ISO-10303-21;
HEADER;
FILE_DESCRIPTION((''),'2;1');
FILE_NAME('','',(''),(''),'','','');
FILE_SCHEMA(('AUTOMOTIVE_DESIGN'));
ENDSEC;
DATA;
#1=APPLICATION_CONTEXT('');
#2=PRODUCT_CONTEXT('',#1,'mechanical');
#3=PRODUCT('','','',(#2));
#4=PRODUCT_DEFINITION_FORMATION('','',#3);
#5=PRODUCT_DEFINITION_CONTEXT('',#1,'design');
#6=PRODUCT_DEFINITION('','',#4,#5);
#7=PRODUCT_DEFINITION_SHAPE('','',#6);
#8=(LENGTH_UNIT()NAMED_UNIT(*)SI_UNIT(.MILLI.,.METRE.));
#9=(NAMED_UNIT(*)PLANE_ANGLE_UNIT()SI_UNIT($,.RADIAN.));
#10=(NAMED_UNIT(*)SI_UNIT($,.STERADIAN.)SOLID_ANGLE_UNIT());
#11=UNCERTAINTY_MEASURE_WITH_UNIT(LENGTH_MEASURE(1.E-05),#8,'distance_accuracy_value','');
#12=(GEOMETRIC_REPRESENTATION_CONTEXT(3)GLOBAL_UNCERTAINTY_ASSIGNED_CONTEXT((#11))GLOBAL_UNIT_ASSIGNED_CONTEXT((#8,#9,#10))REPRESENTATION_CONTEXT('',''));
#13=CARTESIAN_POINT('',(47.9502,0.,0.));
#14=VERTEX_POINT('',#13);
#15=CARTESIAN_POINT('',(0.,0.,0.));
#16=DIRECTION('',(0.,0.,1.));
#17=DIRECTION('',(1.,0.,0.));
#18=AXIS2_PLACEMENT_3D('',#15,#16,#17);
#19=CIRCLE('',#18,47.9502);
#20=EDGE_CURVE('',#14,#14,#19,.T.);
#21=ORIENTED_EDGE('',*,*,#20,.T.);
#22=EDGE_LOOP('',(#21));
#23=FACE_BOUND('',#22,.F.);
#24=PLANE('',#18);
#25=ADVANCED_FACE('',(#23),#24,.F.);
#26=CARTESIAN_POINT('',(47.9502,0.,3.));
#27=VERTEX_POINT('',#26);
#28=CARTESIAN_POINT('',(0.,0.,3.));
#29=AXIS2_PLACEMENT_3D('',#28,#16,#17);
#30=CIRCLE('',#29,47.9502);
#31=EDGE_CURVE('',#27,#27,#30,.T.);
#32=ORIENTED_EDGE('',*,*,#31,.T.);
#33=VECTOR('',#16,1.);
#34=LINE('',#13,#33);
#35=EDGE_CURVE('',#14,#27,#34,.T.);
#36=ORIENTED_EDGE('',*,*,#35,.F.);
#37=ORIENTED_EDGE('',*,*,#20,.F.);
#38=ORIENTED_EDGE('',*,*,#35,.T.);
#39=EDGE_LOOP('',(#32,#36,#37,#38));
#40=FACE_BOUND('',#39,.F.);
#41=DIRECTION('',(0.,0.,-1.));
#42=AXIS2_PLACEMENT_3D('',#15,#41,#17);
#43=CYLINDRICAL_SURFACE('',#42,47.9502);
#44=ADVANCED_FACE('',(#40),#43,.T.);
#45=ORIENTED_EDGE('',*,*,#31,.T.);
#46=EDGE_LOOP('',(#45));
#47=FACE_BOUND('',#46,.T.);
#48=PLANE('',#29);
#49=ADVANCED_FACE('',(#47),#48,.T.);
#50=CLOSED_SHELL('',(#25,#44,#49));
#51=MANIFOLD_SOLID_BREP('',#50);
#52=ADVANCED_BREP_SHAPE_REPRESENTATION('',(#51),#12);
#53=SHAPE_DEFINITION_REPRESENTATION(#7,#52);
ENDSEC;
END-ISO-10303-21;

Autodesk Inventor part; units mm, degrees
ref_plane "YZ Plane" through (0, 0, 0) normal (1, 0, 0) x (0, 1, 0)
ref_plane "XZ Plane" through (0, 0, 0) normal (0, 1, 0) x (-1, 0, 0)
ref_plane "XY Plane" through (0, 0, 0) normal (0, 0, 1) x (1, 0, 0)
ref_plane "Work Plane1" through (0, 0, 0) normal (0, 0, 1) x (1, 0, 0)
sketch "Sketch1" plane through (0, 0, 0) normal (0, 0, 1) x (1, 0, 0)
  circle A0 centre (0, 0) radius 55.6 construction
  circle A1 centre (0, 0) radius 44.75 construction
  circle A2 centre (0, 0) radius 51 construction
  circle A3 centre (0, 0) radius 47.9502
  dimension "d12" = 95.9005
extrude "Extrusion1" add sketch "Sketch1" along normal blind 3
sketch "Sketch4" plane through (0, 0, 3) normal (0, 0, 1) x (1, 0, 0)
  circle A0 centre (0, 0) radius 47.9502 projected
  point P0 (0, 0)
properties part number "Anglerfish_Frontwindow_3inchtube_V0"
